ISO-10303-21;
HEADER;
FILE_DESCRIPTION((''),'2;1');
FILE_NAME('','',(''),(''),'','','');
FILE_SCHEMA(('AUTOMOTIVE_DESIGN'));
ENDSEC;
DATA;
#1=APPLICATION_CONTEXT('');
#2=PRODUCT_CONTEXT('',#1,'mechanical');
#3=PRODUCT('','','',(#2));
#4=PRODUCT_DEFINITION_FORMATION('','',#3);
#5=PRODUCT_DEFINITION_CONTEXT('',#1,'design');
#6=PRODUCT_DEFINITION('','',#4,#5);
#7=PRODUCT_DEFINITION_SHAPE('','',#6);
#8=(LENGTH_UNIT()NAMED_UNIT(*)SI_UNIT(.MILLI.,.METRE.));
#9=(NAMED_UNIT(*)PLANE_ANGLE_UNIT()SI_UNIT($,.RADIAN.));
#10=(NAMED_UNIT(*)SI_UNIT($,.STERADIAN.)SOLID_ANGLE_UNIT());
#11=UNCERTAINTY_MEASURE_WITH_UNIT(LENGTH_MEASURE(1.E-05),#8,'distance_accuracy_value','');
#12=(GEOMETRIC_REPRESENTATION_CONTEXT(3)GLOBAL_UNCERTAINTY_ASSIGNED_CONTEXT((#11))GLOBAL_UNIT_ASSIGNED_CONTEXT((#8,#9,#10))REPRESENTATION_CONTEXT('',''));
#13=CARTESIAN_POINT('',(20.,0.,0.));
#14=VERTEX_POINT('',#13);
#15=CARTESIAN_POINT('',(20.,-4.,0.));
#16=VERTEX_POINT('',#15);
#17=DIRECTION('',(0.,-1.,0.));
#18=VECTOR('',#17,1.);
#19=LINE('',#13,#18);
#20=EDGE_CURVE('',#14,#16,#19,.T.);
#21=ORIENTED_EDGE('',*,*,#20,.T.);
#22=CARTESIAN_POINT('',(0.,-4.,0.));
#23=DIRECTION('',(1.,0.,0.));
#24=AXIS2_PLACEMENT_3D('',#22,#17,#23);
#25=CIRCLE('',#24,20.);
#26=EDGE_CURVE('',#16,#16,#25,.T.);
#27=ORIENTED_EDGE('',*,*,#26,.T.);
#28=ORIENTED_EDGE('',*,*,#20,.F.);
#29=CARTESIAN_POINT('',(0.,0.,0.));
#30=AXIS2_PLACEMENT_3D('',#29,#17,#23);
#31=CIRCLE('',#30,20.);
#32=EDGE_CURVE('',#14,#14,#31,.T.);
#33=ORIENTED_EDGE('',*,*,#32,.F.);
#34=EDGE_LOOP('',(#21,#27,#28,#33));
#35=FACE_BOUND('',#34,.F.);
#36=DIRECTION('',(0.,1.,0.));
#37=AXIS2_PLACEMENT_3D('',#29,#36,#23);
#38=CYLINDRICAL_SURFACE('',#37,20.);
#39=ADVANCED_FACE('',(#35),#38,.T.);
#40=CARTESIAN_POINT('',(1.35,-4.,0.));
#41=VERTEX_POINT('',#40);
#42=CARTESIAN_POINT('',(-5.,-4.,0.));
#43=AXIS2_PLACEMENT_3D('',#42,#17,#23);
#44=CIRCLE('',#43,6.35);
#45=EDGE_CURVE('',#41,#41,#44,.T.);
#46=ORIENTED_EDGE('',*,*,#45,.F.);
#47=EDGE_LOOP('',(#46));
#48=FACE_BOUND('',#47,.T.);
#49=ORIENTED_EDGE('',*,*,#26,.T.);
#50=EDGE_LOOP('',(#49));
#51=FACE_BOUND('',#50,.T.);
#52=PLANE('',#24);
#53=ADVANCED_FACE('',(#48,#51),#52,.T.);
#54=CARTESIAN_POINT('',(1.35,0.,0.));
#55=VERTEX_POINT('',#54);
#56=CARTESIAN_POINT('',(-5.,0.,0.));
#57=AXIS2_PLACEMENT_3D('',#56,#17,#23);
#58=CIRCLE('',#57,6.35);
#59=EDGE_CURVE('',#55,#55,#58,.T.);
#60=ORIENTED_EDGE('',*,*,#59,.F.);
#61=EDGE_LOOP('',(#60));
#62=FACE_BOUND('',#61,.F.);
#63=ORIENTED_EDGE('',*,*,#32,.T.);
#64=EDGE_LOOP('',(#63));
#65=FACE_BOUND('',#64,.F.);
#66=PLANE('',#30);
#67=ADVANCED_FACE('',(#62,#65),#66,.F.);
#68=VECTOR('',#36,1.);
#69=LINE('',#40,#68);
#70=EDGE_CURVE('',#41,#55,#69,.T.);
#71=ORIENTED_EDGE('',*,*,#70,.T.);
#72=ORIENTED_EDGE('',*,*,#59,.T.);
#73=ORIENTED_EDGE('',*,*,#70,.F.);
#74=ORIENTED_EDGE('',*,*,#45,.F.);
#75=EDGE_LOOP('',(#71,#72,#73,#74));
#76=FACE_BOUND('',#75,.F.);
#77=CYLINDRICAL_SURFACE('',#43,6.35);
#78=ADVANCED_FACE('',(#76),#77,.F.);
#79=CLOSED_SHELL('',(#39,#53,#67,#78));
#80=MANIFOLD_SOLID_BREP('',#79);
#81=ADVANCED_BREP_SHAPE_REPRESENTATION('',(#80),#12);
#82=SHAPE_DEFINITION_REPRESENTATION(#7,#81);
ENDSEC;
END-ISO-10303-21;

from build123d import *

# Parameters (mm, degrees)
SKETCH_R     = 20
PAD_DEPTH    = 4
SKETCH001_R  = 6.35
POCKET_DEPTH = 5


with BuildPart() as part:
    # Sketch → Pad (new body)
    with BuildSketch(Plane.XZ):
        Circle(SKETCH_R)
    extrude(amount=PAD_DEPTH)

    # Sketch001 (on Face3 of Pad) → Pocket (cut)
    with BuildSketch(Plane.XZ.offset(4)):
        with Locations((-5, 0)):
            Circle(SKETCH001_R)
    extrude(amount=-POCKET_DEPTH, mode=Mode.SUBTRACT)


solid = part.part
